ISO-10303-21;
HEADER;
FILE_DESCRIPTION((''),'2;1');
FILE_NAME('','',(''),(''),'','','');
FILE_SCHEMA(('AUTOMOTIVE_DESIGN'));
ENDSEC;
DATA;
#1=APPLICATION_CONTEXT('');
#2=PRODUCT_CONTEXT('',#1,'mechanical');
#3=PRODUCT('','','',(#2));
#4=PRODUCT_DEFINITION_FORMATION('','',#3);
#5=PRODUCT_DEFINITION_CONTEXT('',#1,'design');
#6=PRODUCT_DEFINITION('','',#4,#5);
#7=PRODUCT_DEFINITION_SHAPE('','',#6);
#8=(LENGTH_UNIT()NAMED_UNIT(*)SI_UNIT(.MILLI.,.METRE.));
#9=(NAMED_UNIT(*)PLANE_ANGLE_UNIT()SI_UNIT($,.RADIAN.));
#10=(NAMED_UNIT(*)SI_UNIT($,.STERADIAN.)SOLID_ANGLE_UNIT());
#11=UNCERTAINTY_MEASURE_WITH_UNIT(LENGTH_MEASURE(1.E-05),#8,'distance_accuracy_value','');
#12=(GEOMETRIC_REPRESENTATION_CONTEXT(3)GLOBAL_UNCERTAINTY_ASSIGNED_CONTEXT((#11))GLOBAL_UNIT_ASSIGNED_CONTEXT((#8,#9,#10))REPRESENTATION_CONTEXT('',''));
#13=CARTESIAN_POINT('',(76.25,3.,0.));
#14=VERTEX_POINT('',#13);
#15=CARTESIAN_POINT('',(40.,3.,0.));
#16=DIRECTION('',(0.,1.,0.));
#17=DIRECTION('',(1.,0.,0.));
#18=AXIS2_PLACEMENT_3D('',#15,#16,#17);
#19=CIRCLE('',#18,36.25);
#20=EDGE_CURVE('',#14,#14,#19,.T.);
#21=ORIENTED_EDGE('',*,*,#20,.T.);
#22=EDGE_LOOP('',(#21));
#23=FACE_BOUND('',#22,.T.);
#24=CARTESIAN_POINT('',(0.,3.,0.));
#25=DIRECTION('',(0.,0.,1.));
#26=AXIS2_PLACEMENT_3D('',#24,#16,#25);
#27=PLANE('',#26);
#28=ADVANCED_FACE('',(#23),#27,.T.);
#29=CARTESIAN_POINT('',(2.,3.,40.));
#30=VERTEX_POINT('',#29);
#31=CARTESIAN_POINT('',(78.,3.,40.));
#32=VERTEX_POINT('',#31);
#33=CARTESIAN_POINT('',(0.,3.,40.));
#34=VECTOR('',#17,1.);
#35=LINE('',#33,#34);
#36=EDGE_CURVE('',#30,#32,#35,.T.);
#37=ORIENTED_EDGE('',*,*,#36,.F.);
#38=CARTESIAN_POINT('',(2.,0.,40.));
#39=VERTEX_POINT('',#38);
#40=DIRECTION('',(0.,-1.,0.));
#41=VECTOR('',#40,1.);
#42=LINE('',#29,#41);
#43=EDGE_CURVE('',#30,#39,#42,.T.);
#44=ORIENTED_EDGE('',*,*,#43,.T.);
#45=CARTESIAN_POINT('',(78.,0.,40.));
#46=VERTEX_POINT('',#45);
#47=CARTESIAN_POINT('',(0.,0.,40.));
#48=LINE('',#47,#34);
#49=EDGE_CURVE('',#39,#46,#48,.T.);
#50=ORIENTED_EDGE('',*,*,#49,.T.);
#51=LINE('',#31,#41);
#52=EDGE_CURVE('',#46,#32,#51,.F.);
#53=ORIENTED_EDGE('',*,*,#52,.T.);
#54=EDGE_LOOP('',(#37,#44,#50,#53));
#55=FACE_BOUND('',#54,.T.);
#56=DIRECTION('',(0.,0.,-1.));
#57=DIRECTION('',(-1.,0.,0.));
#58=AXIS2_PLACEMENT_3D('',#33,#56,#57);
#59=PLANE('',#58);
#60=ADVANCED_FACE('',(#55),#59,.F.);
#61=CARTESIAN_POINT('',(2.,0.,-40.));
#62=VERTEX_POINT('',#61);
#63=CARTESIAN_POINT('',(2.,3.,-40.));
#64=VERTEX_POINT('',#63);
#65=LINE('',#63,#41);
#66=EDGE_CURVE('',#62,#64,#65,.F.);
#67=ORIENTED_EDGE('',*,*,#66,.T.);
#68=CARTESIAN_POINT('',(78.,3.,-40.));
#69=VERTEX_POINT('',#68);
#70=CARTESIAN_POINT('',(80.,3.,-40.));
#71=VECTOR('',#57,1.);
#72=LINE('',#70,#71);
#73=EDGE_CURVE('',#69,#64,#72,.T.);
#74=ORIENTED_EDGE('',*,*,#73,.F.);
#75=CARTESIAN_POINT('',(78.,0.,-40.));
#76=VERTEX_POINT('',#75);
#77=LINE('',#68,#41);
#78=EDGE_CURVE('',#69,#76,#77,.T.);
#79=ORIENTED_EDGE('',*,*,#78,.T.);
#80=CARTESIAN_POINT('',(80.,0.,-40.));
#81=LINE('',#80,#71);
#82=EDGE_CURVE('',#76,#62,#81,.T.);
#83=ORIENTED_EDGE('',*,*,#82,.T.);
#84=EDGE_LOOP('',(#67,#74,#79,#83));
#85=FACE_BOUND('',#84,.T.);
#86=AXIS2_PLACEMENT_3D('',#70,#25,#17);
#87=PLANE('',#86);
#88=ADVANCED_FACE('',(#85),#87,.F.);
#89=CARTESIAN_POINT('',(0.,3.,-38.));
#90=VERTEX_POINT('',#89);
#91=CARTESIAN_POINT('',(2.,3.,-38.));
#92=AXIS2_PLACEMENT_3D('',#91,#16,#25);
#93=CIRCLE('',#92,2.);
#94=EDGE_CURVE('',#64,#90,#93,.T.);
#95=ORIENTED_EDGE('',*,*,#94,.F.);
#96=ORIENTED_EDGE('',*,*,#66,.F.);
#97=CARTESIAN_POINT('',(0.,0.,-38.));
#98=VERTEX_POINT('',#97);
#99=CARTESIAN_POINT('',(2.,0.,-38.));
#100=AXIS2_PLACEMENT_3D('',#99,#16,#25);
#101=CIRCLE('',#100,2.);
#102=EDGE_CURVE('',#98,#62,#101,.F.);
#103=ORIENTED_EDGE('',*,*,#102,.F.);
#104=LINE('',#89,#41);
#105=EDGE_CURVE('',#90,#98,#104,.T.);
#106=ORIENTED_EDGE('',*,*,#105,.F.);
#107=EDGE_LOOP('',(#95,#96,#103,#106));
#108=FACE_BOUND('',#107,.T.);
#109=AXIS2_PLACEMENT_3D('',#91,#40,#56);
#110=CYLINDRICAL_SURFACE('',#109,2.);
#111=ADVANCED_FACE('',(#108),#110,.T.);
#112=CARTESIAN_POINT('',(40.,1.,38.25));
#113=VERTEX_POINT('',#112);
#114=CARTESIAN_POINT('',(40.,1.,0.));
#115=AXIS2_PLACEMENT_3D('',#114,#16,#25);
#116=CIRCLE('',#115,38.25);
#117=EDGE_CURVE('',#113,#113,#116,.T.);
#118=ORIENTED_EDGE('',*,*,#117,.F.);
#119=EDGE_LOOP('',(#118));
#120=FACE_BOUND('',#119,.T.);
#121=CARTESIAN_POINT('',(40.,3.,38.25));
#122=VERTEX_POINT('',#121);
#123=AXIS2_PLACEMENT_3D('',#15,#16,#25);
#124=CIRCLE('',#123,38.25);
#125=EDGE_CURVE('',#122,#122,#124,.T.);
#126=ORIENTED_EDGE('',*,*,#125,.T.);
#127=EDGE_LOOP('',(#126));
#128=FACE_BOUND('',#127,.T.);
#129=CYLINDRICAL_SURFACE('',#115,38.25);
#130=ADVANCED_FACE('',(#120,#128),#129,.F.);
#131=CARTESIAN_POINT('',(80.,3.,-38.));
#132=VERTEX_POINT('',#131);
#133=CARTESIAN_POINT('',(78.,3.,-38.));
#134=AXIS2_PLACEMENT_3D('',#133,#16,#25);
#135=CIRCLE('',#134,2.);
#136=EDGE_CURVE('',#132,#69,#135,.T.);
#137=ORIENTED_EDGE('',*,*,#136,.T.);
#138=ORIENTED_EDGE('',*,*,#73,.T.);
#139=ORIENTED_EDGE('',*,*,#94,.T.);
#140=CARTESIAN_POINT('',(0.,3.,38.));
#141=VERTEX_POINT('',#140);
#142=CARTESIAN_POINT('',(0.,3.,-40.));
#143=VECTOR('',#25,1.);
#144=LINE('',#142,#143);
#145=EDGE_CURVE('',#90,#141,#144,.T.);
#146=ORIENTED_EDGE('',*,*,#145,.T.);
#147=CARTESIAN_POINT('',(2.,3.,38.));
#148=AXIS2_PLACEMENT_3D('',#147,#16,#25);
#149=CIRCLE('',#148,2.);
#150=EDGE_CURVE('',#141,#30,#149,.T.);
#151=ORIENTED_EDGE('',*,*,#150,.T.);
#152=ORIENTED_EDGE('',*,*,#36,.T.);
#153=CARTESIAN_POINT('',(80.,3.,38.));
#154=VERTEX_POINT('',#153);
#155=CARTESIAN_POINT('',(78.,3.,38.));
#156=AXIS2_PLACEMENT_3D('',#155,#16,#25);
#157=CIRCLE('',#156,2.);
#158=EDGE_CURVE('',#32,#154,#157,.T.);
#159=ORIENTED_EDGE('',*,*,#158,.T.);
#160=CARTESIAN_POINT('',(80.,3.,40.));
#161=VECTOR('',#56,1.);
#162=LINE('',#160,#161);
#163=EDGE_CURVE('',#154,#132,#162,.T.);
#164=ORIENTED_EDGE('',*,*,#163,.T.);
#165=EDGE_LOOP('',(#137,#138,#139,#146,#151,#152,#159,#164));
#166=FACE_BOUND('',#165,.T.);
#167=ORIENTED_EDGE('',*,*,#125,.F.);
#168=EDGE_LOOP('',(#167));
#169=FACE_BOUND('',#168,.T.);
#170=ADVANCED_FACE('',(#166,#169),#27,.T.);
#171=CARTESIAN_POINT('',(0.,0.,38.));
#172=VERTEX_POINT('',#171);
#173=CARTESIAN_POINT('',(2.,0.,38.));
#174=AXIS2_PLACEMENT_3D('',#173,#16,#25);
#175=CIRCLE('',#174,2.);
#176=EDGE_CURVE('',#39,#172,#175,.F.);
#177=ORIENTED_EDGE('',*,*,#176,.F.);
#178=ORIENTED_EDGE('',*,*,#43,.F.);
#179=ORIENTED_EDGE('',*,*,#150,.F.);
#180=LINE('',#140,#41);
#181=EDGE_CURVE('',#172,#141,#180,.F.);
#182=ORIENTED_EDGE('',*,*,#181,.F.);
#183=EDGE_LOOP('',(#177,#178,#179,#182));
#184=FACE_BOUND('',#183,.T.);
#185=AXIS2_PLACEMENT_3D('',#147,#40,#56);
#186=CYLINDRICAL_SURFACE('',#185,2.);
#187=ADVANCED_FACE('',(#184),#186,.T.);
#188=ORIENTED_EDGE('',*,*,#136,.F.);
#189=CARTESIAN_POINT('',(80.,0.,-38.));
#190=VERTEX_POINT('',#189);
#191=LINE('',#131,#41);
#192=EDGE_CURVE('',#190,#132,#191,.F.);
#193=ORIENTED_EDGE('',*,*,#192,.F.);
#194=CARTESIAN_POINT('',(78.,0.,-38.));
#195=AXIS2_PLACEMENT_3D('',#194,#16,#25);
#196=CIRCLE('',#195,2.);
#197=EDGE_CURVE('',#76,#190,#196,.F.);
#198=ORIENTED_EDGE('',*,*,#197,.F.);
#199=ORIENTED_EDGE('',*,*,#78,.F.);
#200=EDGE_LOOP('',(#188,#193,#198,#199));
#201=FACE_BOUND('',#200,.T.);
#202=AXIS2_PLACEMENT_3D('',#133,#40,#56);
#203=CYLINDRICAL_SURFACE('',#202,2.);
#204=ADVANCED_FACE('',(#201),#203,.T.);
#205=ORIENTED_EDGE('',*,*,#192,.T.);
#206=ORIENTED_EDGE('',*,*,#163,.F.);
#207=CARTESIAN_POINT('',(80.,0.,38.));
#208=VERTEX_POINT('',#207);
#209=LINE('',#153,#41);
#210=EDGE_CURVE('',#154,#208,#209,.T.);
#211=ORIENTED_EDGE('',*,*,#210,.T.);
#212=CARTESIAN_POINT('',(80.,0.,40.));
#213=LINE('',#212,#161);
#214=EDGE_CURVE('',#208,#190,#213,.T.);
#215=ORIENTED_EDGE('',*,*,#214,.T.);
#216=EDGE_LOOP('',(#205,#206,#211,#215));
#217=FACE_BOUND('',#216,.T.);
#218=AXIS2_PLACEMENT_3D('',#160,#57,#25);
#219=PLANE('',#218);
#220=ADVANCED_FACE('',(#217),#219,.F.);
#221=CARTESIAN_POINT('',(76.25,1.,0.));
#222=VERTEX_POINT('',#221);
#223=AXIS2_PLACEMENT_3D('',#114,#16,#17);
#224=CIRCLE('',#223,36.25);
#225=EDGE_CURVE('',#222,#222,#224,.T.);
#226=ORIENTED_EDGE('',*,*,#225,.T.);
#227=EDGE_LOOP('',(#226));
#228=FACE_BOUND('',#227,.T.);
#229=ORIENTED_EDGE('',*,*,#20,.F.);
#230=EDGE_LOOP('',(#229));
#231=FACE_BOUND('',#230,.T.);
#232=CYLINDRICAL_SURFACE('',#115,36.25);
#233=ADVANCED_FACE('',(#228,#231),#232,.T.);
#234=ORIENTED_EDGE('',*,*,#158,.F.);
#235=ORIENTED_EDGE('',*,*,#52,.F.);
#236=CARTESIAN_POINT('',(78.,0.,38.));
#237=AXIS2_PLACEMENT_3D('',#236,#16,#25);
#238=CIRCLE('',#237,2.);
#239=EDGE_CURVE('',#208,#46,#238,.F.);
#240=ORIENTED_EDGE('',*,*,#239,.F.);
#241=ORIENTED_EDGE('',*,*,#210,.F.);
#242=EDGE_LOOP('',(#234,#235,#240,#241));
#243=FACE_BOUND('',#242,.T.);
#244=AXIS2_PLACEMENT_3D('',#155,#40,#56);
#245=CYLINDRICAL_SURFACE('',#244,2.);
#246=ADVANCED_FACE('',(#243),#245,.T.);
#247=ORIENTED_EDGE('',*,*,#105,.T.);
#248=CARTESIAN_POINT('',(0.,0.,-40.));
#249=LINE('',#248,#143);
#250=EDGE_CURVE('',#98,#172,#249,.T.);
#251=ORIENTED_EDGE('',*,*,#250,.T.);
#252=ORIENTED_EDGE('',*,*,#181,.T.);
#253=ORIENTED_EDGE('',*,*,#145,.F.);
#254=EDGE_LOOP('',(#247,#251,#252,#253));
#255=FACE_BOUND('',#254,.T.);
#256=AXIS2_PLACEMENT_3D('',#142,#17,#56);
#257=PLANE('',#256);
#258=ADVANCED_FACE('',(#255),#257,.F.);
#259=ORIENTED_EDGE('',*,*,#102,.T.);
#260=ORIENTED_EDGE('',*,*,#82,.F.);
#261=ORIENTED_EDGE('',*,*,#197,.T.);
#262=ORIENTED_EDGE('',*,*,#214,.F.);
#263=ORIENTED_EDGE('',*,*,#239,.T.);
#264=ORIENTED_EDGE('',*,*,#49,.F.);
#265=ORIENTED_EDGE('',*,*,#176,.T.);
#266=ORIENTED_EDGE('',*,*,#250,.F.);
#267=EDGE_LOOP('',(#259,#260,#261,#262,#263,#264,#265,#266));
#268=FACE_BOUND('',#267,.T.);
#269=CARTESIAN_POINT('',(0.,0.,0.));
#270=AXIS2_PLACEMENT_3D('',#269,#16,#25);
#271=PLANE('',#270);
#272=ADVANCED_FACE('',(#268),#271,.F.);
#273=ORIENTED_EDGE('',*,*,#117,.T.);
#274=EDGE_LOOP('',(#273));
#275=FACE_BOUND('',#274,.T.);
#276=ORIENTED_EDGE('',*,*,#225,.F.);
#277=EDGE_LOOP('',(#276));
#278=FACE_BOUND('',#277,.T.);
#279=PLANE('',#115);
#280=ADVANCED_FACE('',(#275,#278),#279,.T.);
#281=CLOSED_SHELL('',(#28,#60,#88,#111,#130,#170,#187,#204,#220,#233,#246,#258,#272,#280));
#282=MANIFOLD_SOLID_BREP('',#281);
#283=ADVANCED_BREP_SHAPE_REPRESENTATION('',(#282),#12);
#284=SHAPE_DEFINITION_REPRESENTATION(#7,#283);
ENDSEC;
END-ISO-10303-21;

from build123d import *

# Parameters (mm, degrees)
SKETCH1_W               = 80
SKETCH1_H               = 80
BOSS_EXTRUDE1_DEPTH     = 3
SKETCH3_R               = 38.25
SKETCH3_R_2             = 36.25
CUT_EXTRUDE_THIN1_DEPTH = 2
FILLET1_R               = 2


with BuildPart() as part:
    # Sketch1 → Boss-Extrude1 (new body)
    with BuildSketch(Plane(origin=(0, 0, 0), x_dir=(1, 0, 0), z_dir=(0, 1, 0))):
        with Locations((40, 0)):
            Rectangle(SKETCH1_W, SKETCH1_H)
    extrude(amount=BOSS_EXTRUDE1_DEPTH)

    # Sketch3 → Cut-Extrude-Thin1 (cut)
    with BuildSketch(Plane(origin=(0, 3, 0), x_dir=(1, 0, 0), z_dir=(0, 1, 0))):
        with Locations((40, 0)):
            Circle(SKETCH3_R)
        with Locations((40, 0)):
            Circle(SKETCH3_R_2, mode=Mode.SUBTRACT)
    extrude(amount=-CUT_EXTRUDE_THIN1_DEPTH, mode=Mode.SUBTRACT)

    # Fillet1
    fillet1_edges = [part.edges().sort_by_distance(p)[0] for p in [
        (80, 1.5, -40),
        (80, 1.5, 40),
        (0, 1.5, 40),
        (0, 1.5, -40),
    ]]
    fillet(fillet1_edges, radius=FILLET1_R)


solid = part.part
